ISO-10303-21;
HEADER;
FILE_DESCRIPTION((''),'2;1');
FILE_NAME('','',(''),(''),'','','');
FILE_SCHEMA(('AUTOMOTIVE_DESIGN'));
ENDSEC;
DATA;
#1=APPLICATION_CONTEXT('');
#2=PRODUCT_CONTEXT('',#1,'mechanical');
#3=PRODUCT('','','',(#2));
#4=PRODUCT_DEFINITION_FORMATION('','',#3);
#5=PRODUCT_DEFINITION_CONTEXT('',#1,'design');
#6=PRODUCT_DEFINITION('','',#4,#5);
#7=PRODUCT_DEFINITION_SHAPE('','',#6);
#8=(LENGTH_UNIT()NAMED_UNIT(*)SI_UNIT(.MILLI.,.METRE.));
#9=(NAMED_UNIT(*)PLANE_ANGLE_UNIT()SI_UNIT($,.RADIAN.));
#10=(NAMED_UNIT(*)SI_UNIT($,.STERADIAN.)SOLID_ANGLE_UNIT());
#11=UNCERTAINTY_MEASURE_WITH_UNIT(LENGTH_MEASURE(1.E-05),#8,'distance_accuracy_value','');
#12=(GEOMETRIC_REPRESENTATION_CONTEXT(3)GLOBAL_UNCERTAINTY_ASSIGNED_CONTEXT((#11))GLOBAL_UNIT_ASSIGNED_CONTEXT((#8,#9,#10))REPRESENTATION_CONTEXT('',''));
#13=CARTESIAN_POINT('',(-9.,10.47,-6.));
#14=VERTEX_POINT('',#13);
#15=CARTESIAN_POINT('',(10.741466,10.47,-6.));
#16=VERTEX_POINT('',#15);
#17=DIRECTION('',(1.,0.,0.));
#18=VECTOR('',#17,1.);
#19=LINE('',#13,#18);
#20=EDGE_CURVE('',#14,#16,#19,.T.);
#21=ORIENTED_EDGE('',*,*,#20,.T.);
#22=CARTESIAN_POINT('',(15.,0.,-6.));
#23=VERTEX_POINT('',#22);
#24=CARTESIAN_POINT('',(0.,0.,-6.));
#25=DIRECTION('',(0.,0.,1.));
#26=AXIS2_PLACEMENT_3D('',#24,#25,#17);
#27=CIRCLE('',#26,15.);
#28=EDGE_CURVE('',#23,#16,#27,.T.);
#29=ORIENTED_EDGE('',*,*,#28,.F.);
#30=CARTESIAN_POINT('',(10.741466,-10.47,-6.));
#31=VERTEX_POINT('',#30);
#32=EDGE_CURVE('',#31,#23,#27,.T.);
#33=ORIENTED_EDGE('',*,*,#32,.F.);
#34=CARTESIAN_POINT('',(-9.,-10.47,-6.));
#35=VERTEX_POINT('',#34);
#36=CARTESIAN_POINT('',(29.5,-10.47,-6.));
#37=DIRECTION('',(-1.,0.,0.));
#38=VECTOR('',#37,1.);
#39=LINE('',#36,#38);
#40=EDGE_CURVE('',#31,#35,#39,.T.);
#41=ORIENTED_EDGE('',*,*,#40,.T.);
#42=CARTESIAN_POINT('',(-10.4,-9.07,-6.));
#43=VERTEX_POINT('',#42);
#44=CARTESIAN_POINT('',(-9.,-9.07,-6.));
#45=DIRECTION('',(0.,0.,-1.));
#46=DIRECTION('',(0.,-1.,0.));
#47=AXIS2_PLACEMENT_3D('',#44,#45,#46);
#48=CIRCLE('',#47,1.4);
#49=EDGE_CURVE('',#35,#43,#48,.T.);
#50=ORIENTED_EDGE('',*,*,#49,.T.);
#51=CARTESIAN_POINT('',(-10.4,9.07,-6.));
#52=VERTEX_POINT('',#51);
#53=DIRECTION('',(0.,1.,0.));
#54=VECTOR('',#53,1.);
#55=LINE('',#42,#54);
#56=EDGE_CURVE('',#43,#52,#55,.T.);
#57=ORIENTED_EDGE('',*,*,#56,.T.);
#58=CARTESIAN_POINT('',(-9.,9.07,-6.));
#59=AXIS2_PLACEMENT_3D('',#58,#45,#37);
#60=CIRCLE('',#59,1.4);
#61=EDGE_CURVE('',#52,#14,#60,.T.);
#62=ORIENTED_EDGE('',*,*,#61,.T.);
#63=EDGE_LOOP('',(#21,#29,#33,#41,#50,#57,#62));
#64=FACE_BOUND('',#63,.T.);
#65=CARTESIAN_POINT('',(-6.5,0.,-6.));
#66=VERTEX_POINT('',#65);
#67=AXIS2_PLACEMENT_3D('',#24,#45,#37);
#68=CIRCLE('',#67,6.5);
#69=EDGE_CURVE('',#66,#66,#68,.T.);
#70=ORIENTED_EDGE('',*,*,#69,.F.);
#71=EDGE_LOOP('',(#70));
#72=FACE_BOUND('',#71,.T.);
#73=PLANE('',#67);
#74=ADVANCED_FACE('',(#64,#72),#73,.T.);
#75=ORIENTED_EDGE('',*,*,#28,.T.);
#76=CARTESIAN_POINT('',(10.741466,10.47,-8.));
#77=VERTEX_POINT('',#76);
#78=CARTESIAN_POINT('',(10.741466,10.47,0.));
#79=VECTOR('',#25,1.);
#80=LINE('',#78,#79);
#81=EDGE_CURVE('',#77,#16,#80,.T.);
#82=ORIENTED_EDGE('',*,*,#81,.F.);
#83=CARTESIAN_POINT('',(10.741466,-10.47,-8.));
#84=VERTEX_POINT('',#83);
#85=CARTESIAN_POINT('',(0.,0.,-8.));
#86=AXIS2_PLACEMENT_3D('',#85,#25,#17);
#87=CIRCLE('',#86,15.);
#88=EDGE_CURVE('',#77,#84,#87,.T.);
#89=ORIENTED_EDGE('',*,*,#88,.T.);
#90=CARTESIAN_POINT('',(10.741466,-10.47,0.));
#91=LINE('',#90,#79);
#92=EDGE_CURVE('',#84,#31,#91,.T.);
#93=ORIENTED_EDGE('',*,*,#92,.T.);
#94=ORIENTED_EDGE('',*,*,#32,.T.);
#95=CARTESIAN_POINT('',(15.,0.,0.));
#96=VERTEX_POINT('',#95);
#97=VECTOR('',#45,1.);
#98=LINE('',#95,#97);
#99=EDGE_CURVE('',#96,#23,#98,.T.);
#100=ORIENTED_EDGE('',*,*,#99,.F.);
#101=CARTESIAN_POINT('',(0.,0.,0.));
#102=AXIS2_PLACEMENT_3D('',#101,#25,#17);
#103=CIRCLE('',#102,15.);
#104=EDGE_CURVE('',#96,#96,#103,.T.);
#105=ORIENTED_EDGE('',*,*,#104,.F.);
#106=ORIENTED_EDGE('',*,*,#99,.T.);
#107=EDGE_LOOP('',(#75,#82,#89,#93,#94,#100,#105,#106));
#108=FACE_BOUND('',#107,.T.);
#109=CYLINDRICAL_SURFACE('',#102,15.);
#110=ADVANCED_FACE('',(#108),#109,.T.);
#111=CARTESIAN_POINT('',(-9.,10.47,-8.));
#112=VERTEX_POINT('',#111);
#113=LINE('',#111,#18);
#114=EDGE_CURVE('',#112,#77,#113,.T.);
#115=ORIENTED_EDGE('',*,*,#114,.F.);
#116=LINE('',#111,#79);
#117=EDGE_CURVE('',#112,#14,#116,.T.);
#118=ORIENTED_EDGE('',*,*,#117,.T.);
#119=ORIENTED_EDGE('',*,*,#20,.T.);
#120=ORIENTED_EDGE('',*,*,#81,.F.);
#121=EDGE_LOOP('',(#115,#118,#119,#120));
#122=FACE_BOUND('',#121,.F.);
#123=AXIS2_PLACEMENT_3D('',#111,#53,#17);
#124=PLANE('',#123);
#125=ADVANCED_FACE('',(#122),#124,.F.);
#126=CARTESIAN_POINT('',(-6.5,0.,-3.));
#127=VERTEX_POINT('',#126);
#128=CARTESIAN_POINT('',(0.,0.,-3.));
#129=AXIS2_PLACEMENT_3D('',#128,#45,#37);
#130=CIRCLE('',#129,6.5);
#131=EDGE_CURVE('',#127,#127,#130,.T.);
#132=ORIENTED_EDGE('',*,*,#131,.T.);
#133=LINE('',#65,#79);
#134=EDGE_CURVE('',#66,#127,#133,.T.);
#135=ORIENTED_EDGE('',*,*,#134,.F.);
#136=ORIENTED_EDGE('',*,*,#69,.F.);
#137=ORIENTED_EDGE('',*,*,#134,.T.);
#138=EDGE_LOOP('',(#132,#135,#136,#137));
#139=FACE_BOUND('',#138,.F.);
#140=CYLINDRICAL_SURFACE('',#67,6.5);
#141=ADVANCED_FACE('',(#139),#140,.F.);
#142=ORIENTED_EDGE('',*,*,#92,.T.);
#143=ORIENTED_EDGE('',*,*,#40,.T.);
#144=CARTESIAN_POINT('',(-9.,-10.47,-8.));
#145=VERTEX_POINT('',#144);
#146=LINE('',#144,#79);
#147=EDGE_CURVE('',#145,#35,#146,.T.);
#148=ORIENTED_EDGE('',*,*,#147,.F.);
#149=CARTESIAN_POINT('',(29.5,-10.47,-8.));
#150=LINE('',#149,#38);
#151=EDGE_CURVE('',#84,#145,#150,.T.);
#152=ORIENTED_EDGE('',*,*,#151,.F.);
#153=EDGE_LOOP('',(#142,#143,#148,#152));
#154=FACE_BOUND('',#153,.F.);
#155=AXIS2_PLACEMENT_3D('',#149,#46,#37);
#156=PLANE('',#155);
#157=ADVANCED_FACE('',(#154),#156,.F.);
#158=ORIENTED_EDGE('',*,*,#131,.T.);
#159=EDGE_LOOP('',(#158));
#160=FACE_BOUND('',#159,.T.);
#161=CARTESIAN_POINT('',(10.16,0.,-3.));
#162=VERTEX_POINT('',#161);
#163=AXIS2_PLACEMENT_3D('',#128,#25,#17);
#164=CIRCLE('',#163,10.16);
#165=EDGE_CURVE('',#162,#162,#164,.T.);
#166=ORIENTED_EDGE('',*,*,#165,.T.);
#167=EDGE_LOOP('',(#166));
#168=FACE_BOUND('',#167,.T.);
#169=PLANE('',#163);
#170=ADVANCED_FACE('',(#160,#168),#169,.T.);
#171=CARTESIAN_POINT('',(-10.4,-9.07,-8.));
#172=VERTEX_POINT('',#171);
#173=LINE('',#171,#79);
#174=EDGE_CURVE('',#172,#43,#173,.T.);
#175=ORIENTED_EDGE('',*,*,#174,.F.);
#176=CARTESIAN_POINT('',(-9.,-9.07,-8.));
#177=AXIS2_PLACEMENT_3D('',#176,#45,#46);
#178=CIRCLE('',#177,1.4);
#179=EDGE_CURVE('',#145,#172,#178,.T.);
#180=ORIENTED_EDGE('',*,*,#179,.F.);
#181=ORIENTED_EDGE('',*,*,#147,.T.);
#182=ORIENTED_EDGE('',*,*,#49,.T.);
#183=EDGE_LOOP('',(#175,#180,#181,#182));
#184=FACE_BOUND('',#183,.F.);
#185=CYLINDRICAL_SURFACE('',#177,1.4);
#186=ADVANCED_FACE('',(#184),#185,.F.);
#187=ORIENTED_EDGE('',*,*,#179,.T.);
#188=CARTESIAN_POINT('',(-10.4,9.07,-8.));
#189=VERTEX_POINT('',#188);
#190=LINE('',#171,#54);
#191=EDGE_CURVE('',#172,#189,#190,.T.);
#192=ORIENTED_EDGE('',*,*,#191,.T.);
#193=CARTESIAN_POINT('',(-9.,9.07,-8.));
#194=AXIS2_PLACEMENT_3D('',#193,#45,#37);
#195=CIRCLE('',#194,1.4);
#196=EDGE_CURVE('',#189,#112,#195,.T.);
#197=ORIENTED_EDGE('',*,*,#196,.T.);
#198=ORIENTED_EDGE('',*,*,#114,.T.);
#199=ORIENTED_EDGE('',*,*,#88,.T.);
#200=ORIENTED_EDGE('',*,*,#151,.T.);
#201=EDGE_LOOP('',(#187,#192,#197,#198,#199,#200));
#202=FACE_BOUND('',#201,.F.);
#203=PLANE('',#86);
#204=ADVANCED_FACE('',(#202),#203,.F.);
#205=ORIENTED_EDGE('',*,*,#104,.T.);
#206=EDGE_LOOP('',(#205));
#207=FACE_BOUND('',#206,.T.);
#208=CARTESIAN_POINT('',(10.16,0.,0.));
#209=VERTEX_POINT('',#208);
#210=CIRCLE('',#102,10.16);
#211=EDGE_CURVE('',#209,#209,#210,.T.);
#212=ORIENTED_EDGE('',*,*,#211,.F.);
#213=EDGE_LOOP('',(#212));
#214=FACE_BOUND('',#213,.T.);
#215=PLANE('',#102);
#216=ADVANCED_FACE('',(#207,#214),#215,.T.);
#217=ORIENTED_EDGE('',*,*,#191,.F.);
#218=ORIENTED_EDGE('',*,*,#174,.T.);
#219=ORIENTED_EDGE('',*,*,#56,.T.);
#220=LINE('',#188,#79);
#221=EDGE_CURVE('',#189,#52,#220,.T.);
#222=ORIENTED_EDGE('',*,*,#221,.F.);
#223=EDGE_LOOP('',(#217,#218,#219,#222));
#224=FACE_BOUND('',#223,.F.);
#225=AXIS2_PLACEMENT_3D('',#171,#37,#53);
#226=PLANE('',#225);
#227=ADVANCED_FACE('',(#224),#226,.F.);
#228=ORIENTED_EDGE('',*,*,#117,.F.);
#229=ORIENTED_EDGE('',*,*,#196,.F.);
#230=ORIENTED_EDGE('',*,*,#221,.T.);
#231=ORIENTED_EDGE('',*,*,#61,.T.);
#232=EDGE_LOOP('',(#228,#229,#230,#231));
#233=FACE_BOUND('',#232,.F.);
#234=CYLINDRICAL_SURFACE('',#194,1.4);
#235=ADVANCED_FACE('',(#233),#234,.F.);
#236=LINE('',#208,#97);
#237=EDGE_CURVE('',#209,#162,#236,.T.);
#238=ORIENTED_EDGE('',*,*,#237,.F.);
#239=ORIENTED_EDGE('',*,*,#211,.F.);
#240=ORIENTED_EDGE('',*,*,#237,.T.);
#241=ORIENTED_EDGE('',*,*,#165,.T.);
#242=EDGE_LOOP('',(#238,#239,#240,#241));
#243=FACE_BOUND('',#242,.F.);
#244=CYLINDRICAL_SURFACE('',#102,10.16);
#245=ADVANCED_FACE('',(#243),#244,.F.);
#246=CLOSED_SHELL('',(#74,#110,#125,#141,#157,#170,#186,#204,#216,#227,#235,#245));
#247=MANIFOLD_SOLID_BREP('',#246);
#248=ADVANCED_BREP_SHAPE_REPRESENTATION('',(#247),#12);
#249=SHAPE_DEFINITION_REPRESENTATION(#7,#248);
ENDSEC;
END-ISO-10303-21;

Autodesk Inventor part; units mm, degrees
ref_plane "YZ Plane" through (0, 0, 0) normal (1, 0, 0) x (0, 1, 0)
ref_plane "XZ Plane" through (0, 0, 0) normal (0, 1, 0) x (-1, 0, 0)
ref_plane "XY Plane" through (0, 0, 0) normal (0, 0, 1) x (1, 0, 0)
sketch "Sketch8" plane through (0, 0, 0) normal (0, 0, 1) x (1, 0, 0)
  circle A0 centre (0, 0) radius 15
  dimension "d33" = 30
extrude "Extrusion7" add sketch "Sketch8" against normal blind 8
sketch "Sketch10" plane through (0, 0, -8) normal (0, 0, -1) x (-1, 0, 0)
  line L0 (9, 10.07) -> (-29.1, 10.07)
  arc A0 (10, 9.07) -> (9, 10.07) centre (9, 9.07) ccw
  line L1 (10, 9.07) -> (10, -9.07)
  arc A1 (9, -10.07) -> (10, -9.07) centre (9, -9.07) ccw
  line L2 (-29.1, -10.07) -> (9, -10.07)
  line L3 (-29.1, 10.07) -> (-29.1, -10.07)
  arc A2 (9, -10.47) -> (10.4, -9.07) centre (9, -9.07) ccw
  line L4 (10.4, -9.07) -> (10.4, 9.07)
  arc A3 (10.4, 9.07) -> (9, 10.47) centre (9, 9.07) ccw
  line L5 (9, 10.47) -> (-29.5, 10.47)
  line L6 (-29.5, 10.47) -> (-29.5, -10.47)
  line L7 (-29.5, -10.47) -> (9, -10.47)
  dimension "d59" = 0.4
extrude "Extrusion8" cut sketch "Sketch10" against normal blind 2 contours A0 L1 A1 L2 L3 L0 | L7 L6 L5 A3 L4 A2
sketch "Sketch11" plane through (0, 0, -6) normal (0, 0, -1) x (-1, 0, 0)
  circle A0 centre (0, 0) radius 6.4
  circle A1 centre (0, 0) radius 6.5
  point P0 (0, 0)
  dimension "d58" = 13
extrude "Extrusion9" cut sketch "Sketch11" against normal through all contours A0 | A1
sketch "Sketch13" plane through (0, 0, 0) normal (0, 0, 1) x (1, 0, 0)
  circle A0 centre (0, 0) radius 9.96
  circle A1 centre (0, 0) radius 10.16
  point P0 (0, 0)
  dimension "d44" = 0.2
extrude "Extrusion11" cut sketch "Sketch13" against normal blind 3 contours A0 | A1
properties part number "axis_19_bottom_frame" material "Aluminum 6061-AHC"
